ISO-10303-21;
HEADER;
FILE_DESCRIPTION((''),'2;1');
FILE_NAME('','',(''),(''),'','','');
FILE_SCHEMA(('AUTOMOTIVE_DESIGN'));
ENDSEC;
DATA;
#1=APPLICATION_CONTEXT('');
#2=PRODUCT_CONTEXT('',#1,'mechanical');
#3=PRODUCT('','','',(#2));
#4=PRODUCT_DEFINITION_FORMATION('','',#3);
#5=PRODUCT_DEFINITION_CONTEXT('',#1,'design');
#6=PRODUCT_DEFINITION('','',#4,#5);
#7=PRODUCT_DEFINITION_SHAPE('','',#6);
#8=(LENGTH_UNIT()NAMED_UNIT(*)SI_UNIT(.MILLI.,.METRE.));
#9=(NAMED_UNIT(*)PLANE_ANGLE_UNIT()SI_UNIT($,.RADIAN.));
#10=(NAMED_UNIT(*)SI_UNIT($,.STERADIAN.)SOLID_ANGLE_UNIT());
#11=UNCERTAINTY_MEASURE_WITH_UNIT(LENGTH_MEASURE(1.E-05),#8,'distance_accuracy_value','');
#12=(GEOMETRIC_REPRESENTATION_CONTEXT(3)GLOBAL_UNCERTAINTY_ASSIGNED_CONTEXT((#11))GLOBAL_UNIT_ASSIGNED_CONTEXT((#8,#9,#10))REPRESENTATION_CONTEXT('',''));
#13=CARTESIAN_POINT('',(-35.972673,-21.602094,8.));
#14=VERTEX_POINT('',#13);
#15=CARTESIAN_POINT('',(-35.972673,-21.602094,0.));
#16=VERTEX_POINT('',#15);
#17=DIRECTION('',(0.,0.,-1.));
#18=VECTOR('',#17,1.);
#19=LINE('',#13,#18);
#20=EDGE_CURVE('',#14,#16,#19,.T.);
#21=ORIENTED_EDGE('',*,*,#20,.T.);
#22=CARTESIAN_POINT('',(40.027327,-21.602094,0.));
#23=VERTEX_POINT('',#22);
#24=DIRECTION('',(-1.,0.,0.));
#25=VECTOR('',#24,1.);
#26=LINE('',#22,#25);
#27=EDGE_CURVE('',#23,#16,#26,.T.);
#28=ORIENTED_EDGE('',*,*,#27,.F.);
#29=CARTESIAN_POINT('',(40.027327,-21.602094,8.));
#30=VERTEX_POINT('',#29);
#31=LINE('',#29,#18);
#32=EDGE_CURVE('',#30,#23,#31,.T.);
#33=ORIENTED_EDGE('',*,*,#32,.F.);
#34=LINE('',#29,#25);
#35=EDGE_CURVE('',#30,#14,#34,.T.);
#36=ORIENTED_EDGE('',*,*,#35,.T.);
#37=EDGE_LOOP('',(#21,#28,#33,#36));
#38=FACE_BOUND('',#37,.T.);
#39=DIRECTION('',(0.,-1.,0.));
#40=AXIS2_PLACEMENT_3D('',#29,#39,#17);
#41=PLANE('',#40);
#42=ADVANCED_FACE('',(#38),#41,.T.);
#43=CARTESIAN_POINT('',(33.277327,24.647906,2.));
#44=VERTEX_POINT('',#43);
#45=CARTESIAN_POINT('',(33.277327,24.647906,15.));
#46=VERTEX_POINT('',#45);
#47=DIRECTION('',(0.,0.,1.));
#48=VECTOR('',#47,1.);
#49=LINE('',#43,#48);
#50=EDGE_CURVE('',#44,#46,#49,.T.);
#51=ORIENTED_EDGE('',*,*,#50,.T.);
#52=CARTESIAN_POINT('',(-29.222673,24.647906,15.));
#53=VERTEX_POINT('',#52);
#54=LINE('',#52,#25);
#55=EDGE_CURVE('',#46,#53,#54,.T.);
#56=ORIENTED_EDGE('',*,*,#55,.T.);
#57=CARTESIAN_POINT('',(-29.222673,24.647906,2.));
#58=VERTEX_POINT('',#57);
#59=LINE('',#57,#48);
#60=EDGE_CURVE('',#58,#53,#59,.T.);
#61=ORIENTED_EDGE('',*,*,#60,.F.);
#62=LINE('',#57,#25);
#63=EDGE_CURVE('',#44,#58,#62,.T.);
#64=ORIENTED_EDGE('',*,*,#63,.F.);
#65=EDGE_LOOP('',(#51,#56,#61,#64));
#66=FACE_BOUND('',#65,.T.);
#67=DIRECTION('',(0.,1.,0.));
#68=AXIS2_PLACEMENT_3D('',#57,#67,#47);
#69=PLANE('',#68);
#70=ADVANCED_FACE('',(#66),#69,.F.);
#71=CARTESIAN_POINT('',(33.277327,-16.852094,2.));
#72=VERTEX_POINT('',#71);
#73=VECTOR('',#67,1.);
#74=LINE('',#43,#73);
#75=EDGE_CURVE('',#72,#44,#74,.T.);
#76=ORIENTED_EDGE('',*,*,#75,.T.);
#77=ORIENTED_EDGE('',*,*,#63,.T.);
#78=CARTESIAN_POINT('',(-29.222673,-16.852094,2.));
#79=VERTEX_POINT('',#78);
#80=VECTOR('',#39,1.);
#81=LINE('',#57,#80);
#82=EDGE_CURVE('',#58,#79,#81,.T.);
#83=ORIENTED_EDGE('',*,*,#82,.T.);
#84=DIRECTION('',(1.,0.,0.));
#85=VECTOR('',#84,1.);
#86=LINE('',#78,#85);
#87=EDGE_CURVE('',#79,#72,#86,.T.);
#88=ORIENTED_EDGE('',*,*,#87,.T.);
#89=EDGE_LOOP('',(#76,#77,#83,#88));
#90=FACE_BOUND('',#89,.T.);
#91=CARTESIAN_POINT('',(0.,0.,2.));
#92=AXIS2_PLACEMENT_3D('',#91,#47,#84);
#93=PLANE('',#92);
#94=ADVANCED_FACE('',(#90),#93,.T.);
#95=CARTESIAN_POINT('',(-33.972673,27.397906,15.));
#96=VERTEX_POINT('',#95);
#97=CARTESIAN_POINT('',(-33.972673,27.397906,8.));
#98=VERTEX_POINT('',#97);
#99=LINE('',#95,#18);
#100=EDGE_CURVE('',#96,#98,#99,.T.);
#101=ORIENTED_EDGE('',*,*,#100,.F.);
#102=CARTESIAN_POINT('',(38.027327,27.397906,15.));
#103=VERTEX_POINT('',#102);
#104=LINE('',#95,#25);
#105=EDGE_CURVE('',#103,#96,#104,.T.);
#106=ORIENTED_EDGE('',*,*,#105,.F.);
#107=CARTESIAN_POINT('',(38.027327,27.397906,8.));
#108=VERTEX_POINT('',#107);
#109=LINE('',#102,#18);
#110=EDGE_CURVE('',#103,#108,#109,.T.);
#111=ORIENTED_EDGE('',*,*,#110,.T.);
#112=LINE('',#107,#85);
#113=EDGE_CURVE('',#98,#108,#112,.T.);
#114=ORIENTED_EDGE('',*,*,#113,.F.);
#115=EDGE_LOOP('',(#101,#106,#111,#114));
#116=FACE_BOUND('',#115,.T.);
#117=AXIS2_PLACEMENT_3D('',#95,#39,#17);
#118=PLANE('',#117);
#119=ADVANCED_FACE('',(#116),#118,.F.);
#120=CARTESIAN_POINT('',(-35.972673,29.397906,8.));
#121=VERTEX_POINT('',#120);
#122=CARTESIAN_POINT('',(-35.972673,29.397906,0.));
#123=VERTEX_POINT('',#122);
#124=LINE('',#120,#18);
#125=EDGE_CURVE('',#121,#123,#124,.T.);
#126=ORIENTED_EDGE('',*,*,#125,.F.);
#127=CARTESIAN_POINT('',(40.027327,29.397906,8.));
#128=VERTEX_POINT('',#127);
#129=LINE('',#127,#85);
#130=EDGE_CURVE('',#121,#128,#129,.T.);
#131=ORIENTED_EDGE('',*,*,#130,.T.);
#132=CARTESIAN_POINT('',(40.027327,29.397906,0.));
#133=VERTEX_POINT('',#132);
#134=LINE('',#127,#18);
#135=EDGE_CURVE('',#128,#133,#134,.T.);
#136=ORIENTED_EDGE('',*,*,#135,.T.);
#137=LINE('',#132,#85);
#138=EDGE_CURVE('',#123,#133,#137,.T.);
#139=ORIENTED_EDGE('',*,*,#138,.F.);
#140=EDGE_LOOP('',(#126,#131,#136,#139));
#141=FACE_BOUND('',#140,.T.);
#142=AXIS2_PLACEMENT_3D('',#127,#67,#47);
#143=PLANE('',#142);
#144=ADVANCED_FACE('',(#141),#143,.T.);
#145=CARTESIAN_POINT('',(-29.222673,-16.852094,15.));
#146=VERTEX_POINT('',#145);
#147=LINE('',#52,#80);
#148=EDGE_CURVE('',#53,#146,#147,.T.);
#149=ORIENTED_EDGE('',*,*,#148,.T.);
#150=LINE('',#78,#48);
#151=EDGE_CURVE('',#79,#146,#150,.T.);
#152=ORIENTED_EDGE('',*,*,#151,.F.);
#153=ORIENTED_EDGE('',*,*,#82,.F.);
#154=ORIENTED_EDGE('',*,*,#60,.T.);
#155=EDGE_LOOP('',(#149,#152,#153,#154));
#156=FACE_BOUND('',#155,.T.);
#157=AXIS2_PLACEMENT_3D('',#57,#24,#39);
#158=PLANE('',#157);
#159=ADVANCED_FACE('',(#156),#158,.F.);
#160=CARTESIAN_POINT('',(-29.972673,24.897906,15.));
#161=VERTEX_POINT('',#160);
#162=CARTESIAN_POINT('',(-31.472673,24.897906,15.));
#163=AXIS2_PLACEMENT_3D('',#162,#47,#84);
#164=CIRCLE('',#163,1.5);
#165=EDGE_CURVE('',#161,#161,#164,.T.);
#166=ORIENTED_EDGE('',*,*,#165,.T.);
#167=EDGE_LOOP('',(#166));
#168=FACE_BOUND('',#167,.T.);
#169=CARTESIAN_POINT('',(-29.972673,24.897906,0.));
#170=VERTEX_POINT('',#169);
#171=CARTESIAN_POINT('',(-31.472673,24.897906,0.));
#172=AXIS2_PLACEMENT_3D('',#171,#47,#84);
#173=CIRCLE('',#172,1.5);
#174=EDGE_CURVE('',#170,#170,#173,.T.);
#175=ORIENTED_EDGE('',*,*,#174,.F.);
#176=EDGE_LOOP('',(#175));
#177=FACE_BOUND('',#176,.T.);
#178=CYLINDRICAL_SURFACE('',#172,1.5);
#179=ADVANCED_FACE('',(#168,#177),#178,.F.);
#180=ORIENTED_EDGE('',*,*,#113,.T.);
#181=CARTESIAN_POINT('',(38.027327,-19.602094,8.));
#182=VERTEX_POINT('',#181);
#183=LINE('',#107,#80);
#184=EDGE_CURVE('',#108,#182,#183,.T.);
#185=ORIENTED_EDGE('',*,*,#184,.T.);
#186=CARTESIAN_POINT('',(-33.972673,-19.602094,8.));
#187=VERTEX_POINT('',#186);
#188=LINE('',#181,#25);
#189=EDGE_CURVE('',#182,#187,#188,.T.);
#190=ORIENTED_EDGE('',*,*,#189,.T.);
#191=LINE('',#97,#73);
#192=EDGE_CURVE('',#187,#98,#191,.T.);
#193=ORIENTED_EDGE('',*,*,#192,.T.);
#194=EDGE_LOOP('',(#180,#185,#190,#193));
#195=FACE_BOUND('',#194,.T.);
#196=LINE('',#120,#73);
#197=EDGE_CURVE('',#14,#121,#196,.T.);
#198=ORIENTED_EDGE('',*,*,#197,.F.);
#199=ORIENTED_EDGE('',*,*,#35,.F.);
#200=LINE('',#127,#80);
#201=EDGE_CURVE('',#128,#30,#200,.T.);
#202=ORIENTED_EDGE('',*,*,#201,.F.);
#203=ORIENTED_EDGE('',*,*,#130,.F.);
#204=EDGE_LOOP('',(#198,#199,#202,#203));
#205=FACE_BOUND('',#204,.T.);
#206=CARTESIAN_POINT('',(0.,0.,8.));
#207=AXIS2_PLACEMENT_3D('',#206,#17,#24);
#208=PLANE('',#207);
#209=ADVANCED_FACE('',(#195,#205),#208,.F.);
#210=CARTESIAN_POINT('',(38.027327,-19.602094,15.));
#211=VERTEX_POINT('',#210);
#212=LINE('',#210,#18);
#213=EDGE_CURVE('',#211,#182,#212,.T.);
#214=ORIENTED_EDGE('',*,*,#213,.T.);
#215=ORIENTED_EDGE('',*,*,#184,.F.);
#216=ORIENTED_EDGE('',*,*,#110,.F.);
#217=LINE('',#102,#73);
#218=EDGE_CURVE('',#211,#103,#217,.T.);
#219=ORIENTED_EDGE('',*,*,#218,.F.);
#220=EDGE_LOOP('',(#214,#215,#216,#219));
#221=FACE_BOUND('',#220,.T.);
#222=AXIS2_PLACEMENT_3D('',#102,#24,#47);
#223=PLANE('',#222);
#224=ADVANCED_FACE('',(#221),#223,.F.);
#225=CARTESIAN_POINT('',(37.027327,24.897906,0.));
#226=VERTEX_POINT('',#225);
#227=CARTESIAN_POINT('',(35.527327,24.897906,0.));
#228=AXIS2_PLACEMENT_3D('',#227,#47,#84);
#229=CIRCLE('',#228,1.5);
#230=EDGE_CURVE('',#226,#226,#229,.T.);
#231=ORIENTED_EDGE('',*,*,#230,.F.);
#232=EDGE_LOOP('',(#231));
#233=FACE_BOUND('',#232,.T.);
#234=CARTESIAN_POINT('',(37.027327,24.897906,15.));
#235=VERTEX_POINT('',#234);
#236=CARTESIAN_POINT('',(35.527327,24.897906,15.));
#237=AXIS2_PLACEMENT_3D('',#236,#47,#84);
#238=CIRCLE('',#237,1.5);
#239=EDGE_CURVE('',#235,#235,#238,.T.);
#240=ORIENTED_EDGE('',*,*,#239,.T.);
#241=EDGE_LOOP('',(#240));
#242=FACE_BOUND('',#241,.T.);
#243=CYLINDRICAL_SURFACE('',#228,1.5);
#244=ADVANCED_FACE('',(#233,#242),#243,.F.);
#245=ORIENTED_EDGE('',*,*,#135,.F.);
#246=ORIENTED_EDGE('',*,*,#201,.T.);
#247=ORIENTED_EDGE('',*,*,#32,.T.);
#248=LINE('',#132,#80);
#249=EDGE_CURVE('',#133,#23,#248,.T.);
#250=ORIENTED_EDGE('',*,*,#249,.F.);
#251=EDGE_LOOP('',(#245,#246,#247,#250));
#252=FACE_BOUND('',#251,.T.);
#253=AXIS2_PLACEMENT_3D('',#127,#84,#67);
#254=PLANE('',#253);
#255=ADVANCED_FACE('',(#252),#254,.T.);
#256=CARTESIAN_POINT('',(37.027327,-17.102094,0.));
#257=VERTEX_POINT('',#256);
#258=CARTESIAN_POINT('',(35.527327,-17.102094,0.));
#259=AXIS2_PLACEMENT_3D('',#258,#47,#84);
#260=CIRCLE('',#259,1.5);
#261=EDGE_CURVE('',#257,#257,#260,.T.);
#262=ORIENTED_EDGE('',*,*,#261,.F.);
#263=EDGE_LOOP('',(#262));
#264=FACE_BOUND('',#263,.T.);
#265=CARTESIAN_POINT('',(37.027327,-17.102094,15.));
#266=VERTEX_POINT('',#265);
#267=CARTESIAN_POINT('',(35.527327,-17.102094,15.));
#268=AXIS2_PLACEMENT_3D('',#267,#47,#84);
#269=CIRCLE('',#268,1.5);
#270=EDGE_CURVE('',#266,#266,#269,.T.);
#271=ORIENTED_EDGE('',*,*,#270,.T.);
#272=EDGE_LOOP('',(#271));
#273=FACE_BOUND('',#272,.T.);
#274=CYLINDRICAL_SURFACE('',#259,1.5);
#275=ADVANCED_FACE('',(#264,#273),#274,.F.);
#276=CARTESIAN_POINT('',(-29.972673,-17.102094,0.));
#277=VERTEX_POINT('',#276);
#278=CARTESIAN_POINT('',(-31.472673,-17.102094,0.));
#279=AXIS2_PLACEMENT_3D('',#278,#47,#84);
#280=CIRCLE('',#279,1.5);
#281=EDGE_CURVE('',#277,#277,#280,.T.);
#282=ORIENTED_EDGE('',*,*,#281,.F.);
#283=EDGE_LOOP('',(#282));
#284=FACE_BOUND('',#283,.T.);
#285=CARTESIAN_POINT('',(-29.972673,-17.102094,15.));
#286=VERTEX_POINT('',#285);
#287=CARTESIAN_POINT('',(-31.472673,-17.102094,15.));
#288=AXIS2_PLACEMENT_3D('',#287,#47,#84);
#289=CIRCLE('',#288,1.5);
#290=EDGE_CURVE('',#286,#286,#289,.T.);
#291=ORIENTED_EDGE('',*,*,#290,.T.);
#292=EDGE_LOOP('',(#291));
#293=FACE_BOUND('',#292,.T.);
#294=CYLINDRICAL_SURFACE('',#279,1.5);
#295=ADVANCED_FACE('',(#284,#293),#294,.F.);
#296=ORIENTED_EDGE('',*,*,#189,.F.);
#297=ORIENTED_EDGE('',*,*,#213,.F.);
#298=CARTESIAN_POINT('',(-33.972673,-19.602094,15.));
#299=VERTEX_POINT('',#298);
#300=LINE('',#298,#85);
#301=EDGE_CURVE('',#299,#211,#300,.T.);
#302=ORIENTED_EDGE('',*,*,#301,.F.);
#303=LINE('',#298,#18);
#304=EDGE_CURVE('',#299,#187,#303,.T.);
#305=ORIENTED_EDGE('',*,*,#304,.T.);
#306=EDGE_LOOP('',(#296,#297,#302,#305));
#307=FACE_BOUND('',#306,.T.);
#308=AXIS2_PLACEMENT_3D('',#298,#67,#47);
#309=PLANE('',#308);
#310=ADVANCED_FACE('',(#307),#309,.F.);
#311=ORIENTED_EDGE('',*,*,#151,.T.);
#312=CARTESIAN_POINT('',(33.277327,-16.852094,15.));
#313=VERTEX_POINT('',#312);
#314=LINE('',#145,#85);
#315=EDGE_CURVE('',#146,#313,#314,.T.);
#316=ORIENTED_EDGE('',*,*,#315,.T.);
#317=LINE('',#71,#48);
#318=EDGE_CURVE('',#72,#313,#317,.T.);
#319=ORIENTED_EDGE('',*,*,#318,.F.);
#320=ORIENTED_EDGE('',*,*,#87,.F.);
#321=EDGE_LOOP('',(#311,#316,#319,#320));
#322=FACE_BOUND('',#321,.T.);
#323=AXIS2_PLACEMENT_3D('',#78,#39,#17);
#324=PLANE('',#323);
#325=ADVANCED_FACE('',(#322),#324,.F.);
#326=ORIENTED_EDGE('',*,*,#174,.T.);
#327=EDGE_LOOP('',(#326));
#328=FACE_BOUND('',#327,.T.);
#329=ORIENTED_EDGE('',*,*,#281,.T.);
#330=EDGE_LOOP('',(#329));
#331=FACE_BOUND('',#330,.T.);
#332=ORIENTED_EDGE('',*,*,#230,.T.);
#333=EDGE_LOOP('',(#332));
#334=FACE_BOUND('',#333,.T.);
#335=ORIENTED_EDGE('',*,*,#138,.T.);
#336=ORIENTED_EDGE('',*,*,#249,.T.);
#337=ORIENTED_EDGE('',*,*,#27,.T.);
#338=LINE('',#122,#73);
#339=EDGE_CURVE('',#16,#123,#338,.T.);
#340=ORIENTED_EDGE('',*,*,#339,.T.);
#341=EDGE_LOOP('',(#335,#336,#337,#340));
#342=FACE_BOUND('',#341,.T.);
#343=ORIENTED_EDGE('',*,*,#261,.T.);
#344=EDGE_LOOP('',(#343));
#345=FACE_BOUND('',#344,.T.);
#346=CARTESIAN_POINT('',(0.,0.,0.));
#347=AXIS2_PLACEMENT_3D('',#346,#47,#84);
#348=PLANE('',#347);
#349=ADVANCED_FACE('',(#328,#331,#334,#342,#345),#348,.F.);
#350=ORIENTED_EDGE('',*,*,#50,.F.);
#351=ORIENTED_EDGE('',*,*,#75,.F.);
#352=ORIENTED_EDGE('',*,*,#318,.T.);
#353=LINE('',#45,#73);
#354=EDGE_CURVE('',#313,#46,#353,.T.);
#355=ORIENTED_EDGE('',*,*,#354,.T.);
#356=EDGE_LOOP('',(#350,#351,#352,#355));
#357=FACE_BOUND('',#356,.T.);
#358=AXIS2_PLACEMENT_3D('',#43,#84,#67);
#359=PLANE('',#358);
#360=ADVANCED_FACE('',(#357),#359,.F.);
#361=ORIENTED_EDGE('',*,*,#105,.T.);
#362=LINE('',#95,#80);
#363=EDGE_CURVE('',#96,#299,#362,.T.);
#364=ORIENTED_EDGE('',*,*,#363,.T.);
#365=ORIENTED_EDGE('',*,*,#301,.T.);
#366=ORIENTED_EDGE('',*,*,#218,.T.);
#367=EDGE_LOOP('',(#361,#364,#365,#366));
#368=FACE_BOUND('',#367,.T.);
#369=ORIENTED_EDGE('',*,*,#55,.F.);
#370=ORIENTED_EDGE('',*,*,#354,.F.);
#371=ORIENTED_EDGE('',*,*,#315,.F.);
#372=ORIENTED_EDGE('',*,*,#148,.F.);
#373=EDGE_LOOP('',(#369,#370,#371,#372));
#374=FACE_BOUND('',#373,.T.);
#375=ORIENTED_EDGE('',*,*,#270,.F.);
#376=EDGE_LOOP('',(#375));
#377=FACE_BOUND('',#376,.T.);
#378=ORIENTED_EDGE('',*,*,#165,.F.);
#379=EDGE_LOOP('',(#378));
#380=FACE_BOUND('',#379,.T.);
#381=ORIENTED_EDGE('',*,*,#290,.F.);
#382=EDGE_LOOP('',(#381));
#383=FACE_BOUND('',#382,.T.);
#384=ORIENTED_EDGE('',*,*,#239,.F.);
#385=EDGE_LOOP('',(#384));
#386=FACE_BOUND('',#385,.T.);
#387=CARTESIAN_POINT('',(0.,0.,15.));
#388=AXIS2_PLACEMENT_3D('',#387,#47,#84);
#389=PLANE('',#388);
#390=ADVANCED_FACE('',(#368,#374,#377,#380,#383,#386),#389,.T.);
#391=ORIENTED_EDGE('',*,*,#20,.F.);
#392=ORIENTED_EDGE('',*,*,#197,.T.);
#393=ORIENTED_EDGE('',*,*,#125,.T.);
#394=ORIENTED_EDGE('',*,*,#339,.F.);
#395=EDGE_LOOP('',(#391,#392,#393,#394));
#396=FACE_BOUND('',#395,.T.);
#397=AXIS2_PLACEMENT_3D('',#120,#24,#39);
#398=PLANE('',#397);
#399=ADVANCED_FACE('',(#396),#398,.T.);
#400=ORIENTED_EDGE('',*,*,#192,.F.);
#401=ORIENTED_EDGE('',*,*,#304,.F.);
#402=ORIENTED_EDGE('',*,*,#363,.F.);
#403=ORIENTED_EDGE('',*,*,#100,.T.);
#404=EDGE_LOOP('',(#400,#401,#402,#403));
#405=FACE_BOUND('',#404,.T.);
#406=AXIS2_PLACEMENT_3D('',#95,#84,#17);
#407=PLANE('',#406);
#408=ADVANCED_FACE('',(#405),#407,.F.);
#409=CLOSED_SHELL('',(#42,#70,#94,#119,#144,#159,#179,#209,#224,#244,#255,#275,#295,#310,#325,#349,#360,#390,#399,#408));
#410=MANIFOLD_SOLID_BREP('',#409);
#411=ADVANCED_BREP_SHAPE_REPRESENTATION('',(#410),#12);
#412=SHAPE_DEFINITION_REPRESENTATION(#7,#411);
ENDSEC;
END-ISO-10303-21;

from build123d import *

# Parameters (mm, degrees)
SKETCH_1_W          = 72
SKETCH_1_H          = 47
EXTRUDE_1_DEPTH     = 15
SKETCH_2_W          = 62.5
SKETCH_2_H          = 41.5
CUT_EXTRUDE_1_DEPTH = 13
SKETCH_3_R          = 1.5
CUT_EXTRUDE_3_DEPTH = 16
SKETCH_4_W          = 76
SKETCH_4_H          = 51
SKETCH_4_W_2        = 72
SKETCH_4_H_2        = 47
EXTRUDE_2_DEPTH     = 8


with BuildPart() as part:
    # ｽｹｯﾁ1 → ﾎﾞｽ - 押し出し1 (new body)
    with BuildSketch(Plane.XY):
        with Locations((2.027327289, 3.897905759)):
            Rectangle(SKETCH_1_W, SKETCH_1_H)
    extrude(amount=EXTRUDE_1_DEPTH)

    # ｽｹｯﾁ2 → ｶｯﾄ - 押し出し1 (cut)
    with BuildSketch(Plane.XY.offset(15)):
        with Locations((2.027327289, 3.897905759)):
            Rectangle(SKETCH_2_W, SKETCH_2_H)
    extrude(amount=-CUT_EXTRUDE_1_DEPTH, mode=Mode.SUBTRACT)

    # ｽｹｯﾁ3 → ｶｯﾄ - 押し出し3 (cut, through all)
    with BuildSketch(Plane.XY.offset(15)):
        with Locations((-31.472672711, 24.897905759)):
            Circle(SKETCH_3_R)
        with Locations((35.527327289, 24.897905759)):
            Circle(SKETCH_3_R)
        with Locations((-31.472672711, -17.102094241)):
            Circle(SKETCH_3_R)
        with Locations((35.527327289, -17.102094241)):
            Circle(SKETCH_3_R)
    extrude(amount=-CUT_EXTRUDE_3_DEPTH, mode=Mode.SUBTRACT)

    # ｽｹｯﾁ4 → ﾎﾞｽ - 押し出し2 (add)
    with BuildSketch(Plane(origin=(0, 0, 0), x_dir=(-1, 0, 0), z_dir=(0, 0, -1))):
        with Locations((-2.027327289, 3.897905759)):
            Rectangle(SKETCH_4_W, SKETCH_4_H)
        with Locations((-2.027327289, 3.897905759)):
            Rectangle(SKETCH_4_W_2, SKETCH_4_H_2, mode=Mode.SUBTRACT)
    extrude(amount=-EXTRUDE_2_DEPTH)


solid = part.part
